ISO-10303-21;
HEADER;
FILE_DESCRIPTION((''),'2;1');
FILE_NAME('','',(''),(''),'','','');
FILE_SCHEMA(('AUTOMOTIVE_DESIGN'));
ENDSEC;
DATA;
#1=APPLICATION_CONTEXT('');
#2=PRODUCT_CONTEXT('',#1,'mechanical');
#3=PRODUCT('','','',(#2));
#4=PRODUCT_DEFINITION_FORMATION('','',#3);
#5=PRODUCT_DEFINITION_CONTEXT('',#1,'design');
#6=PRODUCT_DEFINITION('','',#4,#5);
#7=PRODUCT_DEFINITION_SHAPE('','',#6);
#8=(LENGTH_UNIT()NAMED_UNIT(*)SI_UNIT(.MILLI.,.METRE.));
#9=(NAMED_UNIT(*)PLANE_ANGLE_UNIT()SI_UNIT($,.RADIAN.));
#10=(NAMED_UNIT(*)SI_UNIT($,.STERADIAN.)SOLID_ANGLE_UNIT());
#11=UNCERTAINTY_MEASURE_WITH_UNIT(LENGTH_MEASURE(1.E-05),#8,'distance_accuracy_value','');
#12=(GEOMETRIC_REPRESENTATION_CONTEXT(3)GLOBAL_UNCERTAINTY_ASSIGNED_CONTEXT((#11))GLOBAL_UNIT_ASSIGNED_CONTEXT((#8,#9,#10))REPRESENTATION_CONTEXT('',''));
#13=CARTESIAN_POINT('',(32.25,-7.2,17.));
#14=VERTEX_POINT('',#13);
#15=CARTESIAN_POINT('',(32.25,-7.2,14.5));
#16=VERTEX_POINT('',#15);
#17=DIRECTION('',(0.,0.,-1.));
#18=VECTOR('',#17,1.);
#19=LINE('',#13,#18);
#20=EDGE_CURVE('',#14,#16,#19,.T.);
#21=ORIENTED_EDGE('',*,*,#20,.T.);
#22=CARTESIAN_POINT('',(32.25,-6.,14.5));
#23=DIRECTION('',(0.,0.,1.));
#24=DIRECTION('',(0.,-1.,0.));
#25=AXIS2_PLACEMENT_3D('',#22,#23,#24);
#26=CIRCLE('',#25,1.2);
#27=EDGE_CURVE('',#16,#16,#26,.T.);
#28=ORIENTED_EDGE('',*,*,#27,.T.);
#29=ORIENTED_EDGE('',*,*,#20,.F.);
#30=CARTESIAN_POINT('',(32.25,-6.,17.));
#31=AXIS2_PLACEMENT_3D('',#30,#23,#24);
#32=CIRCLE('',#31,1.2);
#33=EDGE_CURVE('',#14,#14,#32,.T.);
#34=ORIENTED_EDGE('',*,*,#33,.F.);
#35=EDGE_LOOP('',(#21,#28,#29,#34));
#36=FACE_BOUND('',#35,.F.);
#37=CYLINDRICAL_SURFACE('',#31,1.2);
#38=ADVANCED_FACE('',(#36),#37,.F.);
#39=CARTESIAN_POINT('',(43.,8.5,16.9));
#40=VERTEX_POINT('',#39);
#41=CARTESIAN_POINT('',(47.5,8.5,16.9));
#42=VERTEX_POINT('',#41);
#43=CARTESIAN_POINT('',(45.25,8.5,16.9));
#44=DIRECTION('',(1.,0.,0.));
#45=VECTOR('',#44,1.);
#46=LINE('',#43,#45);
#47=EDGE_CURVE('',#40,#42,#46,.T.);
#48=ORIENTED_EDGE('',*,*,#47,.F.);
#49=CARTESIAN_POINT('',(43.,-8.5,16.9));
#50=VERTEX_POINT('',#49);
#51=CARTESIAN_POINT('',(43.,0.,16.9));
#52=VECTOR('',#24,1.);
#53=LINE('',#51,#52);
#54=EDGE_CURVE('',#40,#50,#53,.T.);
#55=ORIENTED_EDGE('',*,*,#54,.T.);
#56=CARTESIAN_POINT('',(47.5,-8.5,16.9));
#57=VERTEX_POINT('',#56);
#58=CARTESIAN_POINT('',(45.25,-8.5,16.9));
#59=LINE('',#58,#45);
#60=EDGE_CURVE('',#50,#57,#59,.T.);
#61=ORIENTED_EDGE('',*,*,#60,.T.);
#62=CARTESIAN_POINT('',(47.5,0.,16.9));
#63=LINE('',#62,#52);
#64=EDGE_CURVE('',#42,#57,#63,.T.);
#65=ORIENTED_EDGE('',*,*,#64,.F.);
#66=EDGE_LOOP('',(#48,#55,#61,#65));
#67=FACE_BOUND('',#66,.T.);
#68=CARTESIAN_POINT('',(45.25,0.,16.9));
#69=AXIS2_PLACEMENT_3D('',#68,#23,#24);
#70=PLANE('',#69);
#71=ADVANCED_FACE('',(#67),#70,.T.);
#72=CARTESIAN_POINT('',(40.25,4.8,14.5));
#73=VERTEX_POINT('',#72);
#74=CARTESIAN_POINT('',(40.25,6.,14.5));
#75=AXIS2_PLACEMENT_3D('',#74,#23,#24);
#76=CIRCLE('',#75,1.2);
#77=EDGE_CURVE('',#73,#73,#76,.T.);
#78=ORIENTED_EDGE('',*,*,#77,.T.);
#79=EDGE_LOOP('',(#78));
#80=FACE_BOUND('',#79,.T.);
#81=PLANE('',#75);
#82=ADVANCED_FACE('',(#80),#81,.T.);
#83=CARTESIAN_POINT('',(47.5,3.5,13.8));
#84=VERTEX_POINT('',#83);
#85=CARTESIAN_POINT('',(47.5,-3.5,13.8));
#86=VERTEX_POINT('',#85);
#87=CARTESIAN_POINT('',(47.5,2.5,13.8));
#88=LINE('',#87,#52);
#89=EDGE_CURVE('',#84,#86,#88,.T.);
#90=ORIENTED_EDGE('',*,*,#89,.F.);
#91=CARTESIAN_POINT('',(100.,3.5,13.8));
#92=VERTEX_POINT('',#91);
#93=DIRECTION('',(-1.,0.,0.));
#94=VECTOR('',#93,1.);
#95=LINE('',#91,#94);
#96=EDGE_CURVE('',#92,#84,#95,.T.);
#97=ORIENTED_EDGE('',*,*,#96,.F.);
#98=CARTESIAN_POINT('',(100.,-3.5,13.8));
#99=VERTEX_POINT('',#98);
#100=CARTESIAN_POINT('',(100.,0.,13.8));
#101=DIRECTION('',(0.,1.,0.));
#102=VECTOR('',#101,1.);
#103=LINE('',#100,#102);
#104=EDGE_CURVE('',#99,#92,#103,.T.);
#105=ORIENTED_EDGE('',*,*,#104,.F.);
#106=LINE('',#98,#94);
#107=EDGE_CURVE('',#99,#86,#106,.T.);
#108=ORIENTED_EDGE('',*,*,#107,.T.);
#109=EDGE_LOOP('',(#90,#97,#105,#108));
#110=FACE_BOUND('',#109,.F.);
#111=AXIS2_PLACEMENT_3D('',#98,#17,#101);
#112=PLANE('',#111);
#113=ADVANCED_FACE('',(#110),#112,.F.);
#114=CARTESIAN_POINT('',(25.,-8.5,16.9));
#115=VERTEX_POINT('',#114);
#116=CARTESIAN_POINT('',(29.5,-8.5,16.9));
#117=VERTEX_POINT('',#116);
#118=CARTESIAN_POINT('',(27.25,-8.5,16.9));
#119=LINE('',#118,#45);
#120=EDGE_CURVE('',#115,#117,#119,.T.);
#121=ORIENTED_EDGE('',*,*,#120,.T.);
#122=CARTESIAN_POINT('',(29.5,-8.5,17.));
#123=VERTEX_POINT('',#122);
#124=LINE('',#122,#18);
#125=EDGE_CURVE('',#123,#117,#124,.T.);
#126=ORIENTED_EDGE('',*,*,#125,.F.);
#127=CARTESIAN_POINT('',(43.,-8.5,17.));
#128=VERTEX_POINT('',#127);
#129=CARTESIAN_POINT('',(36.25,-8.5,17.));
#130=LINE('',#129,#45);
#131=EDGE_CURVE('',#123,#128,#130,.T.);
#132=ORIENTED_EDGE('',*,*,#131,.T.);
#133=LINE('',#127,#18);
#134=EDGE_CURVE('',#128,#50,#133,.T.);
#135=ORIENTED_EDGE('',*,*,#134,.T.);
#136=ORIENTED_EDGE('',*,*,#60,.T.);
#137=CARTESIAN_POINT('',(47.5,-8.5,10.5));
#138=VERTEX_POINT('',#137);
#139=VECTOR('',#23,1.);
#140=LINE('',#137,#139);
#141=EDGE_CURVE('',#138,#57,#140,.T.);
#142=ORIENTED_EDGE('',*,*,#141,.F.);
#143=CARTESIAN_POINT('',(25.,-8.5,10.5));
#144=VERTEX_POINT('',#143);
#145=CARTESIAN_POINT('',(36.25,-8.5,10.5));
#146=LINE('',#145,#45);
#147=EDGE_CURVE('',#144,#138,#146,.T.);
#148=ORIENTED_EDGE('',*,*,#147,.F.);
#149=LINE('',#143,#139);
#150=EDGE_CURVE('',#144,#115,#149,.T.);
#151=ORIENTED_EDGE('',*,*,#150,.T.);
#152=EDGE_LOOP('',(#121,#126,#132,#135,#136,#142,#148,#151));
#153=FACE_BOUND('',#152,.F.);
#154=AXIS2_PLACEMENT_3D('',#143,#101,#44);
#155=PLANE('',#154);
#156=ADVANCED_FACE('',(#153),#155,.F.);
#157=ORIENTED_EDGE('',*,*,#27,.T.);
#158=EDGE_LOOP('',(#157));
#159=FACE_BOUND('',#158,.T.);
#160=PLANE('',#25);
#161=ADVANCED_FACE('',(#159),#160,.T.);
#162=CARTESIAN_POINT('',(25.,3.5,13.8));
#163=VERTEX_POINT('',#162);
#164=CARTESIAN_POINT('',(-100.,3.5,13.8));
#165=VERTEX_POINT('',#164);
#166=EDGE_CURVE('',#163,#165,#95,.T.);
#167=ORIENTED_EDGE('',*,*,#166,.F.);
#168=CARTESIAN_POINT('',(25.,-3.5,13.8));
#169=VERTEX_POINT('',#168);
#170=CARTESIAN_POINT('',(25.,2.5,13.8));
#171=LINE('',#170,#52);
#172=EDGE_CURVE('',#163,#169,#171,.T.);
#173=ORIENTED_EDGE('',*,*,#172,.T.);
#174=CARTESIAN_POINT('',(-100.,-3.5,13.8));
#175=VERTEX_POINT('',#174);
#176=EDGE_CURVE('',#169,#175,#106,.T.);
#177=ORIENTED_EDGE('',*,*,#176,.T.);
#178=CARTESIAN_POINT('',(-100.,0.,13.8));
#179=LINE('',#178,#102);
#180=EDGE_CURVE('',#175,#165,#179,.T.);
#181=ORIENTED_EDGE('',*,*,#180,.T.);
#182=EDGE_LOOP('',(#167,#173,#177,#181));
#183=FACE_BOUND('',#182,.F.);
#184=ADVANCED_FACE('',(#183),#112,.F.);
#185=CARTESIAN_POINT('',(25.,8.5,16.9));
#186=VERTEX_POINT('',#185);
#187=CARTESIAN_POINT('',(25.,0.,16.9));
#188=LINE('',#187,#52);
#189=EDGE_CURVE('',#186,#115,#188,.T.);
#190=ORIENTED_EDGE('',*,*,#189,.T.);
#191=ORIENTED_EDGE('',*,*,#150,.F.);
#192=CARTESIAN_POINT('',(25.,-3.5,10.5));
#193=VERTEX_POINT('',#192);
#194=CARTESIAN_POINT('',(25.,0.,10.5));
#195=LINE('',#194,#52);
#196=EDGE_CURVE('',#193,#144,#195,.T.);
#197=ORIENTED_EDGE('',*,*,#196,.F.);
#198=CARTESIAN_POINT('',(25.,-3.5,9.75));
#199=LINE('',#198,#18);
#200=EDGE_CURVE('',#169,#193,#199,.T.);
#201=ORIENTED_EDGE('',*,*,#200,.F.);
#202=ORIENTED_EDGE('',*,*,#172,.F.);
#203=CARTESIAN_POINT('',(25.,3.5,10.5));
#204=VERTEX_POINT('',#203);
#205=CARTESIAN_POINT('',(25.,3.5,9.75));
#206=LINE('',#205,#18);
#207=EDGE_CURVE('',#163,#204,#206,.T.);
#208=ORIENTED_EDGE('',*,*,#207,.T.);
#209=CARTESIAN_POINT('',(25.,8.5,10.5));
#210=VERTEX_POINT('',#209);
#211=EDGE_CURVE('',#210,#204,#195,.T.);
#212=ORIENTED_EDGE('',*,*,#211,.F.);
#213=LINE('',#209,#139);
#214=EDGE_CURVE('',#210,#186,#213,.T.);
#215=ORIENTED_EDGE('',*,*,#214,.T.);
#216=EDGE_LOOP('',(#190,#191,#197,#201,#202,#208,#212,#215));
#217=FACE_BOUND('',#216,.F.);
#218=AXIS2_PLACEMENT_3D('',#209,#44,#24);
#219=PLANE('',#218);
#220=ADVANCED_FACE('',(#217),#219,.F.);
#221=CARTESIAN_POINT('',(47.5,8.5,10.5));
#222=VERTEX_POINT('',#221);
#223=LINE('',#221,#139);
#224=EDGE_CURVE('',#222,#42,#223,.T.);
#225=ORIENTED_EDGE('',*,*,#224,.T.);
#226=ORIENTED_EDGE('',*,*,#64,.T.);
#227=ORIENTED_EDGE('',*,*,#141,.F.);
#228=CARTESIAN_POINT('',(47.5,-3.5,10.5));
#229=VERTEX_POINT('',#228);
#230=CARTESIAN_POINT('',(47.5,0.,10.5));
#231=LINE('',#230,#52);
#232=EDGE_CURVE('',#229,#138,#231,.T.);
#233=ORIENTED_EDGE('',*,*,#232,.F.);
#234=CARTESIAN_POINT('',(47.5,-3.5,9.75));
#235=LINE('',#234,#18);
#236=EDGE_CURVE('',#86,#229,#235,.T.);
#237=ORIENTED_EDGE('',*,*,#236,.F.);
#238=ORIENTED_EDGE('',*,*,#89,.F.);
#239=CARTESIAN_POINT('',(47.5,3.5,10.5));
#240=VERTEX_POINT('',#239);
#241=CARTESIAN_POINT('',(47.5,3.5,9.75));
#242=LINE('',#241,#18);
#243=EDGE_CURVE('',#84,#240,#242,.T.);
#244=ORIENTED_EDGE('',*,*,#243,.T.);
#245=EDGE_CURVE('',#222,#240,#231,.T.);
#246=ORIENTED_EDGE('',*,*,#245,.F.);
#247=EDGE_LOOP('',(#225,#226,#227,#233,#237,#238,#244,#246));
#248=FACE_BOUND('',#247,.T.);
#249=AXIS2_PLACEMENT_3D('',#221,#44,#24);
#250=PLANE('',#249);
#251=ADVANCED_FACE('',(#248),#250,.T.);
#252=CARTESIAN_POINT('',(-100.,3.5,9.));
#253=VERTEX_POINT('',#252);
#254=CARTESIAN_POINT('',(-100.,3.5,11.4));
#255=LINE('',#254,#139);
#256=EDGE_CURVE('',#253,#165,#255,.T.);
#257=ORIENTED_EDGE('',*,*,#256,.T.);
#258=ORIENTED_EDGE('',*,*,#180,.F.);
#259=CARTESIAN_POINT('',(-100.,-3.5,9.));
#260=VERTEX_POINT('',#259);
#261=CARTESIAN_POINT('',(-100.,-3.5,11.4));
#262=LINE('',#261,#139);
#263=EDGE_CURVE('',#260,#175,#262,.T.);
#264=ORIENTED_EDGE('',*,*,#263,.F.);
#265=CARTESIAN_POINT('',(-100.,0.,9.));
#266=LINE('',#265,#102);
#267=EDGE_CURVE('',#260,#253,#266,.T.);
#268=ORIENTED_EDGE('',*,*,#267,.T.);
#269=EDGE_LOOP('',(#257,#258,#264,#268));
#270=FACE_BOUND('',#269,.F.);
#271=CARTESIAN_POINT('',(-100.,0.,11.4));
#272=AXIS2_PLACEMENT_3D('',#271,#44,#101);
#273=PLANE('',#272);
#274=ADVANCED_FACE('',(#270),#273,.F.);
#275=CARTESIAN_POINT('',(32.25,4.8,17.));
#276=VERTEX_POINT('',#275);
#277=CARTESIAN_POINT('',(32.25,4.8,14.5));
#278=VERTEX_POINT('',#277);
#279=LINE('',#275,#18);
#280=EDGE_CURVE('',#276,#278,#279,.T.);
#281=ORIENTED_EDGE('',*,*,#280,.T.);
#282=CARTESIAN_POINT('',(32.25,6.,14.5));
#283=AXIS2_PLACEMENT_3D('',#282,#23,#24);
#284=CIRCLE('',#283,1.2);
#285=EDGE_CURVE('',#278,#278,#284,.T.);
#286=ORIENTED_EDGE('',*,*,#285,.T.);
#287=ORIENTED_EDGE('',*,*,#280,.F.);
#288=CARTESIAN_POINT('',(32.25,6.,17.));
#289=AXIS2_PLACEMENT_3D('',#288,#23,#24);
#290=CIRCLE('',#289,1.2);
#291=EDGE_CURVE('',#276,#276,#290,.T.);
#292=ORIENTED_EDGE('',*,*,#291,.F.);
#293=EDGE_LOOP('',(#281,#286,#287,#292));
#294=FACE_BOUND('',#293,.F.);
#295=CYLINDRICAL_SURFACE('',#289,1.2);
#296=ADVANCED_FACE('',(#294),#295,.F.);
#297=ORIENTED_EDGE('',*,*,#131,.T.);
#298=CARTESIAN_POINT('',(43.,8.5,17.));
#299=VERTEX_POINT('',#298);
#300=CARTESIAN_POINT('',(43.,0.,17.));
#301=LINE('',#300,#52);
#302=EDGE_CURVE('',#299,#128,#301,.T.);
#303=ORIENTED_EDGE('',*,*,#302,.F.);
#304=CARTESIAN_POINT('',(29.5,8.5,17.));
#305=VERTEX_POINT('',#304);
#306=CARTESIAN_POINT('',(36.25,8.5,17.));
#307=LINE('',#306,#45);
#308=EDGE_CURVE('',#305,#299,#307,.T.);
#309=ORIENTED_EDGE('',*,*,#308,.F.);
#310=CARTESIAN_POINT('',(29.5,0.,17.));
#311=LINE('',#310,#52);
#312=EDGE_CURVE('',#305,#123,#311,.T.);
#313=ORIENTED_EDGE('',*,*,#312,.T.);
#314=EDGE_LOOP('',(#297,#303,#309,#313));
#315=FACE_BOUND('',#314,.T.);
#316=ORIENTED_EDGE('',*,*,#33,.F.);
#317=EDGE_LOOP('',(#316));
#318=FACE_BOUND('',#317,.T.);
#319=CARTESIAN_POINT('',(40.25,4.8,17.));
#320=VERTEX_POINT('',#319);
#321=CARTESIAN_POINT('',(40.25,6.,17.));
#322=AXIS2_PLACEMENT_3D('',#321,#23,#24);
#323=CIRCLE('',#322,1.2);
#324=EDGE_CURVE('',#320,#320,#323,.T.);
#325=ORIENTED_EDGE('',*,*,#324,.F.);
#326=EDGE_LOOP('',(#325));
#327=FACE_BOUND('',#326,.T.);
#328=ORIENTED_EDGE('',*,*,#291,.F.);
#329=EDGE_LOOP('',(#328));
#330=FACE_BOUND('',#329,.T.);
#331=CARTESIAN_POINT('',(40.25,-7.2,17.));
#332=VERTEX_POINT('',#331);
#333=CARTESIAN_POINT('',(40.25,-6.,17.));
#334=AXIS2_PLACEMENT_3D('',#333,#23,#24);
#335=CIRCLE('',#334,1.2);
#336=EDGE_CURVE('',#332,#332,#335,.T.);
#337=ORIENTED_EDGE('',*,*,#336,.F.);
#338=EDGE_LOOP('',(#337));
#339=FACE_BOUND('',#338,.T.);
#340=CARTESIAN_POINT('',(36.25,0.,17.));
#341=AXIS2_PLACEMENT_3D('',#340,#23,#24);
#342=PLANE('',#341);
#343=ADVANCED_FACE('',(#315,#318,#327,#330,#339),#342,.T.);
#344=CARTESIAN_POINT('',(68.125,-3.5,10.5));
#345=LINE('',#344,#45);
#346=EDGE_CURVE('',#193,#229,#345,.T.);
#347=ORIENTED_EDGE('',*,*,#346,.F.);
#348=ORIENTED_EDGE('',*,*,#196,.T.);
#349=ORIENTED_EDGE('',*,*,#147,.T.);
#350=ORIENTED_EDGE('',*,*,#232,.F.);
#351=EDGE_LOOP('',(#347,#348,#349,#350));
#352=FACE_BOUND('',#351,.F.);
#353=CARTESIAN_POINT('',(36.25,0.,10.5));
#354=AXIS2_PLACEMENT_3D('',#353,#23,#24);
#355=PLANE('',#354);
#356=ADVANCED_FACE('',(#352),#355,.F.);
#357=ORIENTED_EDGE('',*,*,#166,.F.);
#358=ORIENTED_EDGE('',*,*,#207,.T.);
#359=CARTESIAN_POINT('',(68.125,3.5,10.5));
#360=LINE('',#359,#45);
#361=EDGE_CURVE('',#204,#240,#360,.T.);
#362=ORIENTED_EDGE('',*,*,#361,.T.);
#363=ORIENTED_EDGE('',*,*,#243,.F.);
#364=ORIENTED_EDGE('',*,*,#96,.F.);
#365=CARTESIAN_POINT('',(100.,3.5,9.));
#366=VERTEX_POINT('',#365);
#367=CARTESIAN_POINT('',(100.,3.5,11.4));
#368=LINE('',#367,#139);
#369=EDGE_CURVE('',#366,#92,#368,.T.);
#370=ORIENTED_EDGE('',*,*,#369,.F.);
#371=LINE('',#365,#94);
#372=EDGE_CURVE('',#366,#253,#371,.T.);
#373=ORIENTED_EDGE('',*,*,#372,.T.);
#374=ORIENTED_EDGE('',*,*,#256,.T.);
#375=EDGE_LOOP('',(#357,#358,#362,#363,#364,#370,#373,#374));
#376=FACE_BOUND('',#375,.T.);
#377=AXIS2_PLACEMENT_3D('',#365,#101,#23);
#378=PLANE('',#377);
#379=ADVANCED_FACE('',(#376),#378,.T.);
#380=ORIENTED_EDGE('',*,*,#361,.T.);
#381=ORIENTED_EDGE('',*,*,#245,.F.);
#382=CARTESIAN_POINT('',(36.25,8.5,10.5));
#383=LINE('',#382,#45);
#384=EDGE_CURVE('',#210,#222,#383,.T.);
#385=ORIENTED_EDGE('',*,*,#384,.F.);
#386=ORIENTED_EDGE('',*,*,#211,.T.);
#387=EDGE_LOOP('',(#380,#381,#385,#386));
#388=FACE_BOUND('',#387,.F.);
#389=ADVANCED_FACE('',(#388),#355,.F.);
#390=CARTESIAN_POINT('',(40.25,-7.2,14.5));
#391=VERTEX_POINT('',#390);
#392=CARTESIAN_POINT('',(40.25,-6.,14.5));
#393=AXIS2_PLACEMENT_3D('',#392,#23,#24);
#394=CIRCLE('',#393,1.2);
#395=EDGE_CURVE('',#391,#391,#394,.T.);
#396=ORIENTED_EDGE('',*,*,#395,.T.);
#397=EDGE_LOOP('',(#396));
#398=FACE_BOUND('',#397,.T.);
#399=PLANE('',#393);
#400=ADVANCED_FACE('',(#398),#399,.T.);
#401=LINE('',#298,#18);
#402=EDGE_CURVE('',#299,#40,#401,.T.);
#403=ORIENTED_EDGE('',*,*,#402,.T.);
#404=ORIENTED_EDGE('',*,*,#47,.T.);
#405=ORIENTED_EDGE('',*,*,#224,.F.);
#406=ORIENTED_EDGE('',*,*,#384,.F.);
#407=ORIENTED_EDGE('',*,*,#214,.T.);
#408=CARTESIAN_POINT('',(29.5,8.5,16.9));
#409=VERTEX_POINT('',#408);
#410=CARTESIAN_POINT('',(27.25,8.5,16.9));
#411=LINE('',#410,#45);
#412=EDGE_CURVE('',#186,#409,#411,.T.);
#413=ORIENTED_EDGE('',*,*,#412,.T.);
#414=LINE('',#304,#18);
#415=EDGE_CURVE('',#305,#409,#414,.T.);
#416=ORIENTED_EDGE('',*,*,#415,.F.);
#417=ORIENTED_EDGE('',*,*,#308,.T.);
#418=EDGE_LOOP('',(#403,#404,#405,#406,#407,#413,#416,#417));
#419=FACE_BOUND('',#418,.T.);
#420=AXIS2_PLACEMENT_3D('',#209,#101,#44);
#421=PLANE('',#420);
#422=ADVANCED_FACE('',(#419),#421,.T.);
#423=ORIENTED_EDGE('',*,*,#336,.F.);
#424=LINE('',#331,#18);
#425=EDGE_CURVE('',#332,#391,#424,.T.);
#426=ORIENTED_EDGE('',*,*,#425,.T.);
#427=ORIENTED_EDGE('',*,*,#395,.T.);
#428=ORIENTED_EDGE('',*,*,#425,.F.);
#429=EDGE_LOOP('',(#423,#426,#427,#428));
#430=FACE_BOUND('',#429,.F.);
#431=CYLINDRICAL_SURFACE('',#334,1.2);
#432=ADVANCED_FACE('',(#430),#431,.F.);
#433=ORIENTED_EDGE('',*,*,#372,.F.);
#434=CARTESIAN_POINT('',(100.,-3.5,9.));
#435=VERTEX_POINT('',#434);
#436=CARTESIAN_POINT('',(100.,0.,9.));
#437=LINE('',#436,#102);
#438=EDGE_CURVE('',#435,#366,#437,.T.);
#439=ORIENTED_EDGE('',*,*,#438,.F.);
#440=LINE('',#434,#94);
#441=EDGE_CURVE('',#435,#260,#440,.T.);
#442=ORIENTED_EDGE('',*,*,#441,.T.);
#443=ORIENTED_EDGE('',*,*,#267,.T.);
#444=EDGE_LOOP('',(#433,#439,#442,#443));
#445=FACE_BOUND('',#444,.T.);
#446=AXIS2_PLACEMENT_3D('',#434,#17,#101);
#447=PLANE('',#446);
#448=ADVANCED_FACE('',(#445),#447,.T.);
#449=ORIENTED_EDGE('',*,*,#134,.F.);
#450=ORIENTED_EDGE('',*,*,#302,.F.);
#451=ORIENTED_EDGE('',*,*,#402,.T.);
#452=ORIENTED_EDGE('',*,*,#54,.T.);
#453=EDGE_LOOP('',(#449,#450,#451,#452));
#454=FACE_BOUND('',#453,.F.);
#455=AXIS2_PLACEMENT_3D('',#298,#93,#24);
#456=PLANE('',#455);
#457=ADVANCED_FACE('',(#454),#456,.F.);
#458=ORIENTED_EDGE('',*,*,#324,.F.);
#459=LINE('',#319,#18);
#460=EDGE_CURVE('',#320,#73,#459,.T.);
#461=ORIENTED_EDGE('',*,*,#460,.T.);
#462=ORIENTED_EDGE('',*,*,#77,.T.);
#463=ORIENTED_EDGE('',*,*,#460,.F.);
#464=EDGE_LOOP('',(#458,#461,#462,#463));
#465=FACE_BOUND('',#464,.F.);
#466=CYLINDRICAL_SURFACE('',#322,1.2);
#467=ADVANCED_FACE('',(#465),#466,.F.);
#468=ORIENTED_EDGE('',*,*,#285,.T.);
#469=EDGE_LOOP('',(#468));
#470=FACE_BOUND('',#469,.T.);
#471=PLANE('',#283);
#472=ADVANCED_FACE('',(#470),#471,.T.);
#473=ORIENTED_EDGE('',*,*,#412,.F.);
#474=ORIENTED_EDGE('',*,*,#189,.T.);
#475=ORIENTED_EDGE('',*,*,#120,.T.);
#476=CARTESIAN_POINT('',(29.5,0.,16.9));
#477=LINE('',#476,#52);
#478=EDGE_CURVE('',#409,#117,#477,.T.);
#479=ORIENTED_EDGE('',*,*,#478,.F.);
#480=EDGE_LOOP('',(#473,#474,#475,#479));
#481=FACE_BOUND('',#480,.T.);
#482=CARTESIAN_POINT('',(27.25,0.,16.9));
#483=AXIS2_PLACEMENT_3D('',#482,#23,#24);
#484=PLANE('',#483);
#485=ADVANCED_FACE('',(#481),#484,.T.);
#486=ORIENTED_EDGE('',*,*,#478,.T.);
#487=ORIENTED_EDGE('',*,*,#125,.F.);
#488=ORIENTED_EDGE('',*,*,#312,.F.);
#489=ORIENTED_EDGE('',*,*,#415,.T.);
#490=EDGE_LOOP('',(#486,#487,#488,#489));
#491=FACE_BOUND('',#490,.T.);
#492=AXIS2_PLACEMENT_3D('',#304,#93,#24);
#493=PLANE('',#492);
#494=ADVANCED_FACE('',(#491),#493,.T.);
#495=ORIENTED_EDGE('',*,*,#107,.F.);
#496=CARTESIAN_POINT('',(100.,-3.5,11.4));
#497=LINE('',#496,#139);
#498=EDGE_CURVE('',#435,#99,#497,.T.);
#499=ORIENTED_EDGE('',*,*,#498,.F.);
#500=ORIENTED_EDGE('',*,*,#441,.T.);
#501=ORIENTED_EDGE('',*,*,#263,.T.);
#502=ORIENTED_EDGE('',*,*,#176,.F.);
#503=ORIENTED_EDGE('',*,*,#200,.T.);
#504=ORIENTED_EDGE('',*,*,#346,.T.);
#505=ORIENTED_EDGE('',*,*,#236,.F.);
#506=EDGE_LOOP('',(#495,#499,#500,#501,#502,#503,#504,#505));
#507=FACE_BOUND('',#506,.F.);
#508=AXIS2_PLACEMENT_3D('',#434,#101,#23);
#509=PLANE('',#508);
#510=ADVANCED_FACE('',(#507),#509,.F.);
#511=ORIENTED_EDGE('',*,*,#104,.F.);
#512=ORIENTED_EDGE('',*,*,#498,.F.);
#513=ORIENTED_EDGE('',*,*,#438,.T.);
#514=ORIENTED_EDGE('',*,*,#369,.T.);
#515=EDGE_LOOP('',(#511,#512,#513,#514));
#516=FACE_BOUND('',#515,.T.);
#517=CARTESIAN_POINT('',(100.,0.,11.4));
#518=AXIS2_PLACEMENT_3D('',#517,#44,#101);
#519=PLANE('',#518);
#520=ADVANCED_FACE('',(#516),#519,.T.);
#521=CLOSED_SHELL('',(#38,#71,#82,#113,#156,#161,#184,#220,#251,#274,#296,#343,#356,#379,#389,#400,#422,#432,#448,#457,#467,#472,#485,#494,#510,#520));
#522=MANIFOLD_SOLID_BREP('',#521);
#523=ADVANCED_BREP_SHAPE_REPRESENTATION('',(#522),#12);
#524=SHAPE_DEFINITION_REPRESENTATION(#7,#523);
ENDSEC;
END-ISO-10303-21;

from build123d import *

# Parameters (mm, degrees)
SKETCH018_W             = 7
SKETCH018_H             = 4.8
PAD006_DEPTH            = 200
SKETCH019_W             = 17
SKETCH019_H             = 22.5
PAD007_DEPTH            = 6.5
SKETCH021_W             = 17
SKETCH021_H             = 4.5
POCKET012_DEPTH         = 0.1
SKETCH020_R             = 1.2
POCKET013_DEPTH         = 2.5
BODY004_PLACEMENT_ANGLE = 90


with BuildPart() as part:
    # Sketch018 → Pad006 (new body)
    with BuildSketch(Plane.XZ):
        with Locations((3.5, 2.4)):
            Rectangle(SKETCH018_W, SKETCH018_H)
    extrude(amount=-PAD006_DEPTH)

    # Sketch019 (on Face1 of Pad006) → Pad007 (join)
    with BuildSketch(Plane(origin=(0, 0, 1.5), x_dir=(-1, 0, 0), z_dir=(0, 0, 1))):
        with Locations((-3.5, -63.75)):
            Rectangle(SKETCH019_W, SKETCH019_H)
    extrude(amount=PAD007_DEPTH)

    # Sketch021 (on Face13 of Pad007) → Pocket012 (cut)
    with BuildSketch(Plane(origin=(0, 0, 8), x_dir=(-1, 0, 0), z_dir=(0, 0, 1))):
        with Locations((-3.5, -54.75)):
            Rectangle(SKETCH021_W, SKETCH021_H)
        with Locations((-3.5, -72.75)):
            Rectangle(SKETCH021_W, SKETCH021_H)
    extrude(amount=-POCKET012_DEPTH, mode=Mode.SUBTRACT)

    # Sketch020 (on Face17 of Pocket012) → Pocket013 (cut)
    with BuildSketch(Plane(origin=(0, 0, 8), x_dir=(-1, 0, 0), z_dir=(0, 0, 1))):
        with Locations((-9.5, -59.75)):
            Circle(SKETCH020_R)
        with Locations((2.5, -59.75)):
            Circle(SKETCH020_R)
        with Locations((2.5, -67.75)):
            Circle(SKETCH020_R)
        with Locations((-9.5, -67.75)):
            Circle(SKETCH020_R)
    extrude(amount=-POCKET013_DEPTH, mode=Mode.SUBTRACT)


with BuildPart() as part_1:
    # Body004 placement: moved
    add(part.part.moved(Location((100, -3.5, 9))).rotate(Axis((100, -3.5, 9), (0, 0, 1)), BODY004_PLACEMENT_ANGLE))


solid = part_1.part
